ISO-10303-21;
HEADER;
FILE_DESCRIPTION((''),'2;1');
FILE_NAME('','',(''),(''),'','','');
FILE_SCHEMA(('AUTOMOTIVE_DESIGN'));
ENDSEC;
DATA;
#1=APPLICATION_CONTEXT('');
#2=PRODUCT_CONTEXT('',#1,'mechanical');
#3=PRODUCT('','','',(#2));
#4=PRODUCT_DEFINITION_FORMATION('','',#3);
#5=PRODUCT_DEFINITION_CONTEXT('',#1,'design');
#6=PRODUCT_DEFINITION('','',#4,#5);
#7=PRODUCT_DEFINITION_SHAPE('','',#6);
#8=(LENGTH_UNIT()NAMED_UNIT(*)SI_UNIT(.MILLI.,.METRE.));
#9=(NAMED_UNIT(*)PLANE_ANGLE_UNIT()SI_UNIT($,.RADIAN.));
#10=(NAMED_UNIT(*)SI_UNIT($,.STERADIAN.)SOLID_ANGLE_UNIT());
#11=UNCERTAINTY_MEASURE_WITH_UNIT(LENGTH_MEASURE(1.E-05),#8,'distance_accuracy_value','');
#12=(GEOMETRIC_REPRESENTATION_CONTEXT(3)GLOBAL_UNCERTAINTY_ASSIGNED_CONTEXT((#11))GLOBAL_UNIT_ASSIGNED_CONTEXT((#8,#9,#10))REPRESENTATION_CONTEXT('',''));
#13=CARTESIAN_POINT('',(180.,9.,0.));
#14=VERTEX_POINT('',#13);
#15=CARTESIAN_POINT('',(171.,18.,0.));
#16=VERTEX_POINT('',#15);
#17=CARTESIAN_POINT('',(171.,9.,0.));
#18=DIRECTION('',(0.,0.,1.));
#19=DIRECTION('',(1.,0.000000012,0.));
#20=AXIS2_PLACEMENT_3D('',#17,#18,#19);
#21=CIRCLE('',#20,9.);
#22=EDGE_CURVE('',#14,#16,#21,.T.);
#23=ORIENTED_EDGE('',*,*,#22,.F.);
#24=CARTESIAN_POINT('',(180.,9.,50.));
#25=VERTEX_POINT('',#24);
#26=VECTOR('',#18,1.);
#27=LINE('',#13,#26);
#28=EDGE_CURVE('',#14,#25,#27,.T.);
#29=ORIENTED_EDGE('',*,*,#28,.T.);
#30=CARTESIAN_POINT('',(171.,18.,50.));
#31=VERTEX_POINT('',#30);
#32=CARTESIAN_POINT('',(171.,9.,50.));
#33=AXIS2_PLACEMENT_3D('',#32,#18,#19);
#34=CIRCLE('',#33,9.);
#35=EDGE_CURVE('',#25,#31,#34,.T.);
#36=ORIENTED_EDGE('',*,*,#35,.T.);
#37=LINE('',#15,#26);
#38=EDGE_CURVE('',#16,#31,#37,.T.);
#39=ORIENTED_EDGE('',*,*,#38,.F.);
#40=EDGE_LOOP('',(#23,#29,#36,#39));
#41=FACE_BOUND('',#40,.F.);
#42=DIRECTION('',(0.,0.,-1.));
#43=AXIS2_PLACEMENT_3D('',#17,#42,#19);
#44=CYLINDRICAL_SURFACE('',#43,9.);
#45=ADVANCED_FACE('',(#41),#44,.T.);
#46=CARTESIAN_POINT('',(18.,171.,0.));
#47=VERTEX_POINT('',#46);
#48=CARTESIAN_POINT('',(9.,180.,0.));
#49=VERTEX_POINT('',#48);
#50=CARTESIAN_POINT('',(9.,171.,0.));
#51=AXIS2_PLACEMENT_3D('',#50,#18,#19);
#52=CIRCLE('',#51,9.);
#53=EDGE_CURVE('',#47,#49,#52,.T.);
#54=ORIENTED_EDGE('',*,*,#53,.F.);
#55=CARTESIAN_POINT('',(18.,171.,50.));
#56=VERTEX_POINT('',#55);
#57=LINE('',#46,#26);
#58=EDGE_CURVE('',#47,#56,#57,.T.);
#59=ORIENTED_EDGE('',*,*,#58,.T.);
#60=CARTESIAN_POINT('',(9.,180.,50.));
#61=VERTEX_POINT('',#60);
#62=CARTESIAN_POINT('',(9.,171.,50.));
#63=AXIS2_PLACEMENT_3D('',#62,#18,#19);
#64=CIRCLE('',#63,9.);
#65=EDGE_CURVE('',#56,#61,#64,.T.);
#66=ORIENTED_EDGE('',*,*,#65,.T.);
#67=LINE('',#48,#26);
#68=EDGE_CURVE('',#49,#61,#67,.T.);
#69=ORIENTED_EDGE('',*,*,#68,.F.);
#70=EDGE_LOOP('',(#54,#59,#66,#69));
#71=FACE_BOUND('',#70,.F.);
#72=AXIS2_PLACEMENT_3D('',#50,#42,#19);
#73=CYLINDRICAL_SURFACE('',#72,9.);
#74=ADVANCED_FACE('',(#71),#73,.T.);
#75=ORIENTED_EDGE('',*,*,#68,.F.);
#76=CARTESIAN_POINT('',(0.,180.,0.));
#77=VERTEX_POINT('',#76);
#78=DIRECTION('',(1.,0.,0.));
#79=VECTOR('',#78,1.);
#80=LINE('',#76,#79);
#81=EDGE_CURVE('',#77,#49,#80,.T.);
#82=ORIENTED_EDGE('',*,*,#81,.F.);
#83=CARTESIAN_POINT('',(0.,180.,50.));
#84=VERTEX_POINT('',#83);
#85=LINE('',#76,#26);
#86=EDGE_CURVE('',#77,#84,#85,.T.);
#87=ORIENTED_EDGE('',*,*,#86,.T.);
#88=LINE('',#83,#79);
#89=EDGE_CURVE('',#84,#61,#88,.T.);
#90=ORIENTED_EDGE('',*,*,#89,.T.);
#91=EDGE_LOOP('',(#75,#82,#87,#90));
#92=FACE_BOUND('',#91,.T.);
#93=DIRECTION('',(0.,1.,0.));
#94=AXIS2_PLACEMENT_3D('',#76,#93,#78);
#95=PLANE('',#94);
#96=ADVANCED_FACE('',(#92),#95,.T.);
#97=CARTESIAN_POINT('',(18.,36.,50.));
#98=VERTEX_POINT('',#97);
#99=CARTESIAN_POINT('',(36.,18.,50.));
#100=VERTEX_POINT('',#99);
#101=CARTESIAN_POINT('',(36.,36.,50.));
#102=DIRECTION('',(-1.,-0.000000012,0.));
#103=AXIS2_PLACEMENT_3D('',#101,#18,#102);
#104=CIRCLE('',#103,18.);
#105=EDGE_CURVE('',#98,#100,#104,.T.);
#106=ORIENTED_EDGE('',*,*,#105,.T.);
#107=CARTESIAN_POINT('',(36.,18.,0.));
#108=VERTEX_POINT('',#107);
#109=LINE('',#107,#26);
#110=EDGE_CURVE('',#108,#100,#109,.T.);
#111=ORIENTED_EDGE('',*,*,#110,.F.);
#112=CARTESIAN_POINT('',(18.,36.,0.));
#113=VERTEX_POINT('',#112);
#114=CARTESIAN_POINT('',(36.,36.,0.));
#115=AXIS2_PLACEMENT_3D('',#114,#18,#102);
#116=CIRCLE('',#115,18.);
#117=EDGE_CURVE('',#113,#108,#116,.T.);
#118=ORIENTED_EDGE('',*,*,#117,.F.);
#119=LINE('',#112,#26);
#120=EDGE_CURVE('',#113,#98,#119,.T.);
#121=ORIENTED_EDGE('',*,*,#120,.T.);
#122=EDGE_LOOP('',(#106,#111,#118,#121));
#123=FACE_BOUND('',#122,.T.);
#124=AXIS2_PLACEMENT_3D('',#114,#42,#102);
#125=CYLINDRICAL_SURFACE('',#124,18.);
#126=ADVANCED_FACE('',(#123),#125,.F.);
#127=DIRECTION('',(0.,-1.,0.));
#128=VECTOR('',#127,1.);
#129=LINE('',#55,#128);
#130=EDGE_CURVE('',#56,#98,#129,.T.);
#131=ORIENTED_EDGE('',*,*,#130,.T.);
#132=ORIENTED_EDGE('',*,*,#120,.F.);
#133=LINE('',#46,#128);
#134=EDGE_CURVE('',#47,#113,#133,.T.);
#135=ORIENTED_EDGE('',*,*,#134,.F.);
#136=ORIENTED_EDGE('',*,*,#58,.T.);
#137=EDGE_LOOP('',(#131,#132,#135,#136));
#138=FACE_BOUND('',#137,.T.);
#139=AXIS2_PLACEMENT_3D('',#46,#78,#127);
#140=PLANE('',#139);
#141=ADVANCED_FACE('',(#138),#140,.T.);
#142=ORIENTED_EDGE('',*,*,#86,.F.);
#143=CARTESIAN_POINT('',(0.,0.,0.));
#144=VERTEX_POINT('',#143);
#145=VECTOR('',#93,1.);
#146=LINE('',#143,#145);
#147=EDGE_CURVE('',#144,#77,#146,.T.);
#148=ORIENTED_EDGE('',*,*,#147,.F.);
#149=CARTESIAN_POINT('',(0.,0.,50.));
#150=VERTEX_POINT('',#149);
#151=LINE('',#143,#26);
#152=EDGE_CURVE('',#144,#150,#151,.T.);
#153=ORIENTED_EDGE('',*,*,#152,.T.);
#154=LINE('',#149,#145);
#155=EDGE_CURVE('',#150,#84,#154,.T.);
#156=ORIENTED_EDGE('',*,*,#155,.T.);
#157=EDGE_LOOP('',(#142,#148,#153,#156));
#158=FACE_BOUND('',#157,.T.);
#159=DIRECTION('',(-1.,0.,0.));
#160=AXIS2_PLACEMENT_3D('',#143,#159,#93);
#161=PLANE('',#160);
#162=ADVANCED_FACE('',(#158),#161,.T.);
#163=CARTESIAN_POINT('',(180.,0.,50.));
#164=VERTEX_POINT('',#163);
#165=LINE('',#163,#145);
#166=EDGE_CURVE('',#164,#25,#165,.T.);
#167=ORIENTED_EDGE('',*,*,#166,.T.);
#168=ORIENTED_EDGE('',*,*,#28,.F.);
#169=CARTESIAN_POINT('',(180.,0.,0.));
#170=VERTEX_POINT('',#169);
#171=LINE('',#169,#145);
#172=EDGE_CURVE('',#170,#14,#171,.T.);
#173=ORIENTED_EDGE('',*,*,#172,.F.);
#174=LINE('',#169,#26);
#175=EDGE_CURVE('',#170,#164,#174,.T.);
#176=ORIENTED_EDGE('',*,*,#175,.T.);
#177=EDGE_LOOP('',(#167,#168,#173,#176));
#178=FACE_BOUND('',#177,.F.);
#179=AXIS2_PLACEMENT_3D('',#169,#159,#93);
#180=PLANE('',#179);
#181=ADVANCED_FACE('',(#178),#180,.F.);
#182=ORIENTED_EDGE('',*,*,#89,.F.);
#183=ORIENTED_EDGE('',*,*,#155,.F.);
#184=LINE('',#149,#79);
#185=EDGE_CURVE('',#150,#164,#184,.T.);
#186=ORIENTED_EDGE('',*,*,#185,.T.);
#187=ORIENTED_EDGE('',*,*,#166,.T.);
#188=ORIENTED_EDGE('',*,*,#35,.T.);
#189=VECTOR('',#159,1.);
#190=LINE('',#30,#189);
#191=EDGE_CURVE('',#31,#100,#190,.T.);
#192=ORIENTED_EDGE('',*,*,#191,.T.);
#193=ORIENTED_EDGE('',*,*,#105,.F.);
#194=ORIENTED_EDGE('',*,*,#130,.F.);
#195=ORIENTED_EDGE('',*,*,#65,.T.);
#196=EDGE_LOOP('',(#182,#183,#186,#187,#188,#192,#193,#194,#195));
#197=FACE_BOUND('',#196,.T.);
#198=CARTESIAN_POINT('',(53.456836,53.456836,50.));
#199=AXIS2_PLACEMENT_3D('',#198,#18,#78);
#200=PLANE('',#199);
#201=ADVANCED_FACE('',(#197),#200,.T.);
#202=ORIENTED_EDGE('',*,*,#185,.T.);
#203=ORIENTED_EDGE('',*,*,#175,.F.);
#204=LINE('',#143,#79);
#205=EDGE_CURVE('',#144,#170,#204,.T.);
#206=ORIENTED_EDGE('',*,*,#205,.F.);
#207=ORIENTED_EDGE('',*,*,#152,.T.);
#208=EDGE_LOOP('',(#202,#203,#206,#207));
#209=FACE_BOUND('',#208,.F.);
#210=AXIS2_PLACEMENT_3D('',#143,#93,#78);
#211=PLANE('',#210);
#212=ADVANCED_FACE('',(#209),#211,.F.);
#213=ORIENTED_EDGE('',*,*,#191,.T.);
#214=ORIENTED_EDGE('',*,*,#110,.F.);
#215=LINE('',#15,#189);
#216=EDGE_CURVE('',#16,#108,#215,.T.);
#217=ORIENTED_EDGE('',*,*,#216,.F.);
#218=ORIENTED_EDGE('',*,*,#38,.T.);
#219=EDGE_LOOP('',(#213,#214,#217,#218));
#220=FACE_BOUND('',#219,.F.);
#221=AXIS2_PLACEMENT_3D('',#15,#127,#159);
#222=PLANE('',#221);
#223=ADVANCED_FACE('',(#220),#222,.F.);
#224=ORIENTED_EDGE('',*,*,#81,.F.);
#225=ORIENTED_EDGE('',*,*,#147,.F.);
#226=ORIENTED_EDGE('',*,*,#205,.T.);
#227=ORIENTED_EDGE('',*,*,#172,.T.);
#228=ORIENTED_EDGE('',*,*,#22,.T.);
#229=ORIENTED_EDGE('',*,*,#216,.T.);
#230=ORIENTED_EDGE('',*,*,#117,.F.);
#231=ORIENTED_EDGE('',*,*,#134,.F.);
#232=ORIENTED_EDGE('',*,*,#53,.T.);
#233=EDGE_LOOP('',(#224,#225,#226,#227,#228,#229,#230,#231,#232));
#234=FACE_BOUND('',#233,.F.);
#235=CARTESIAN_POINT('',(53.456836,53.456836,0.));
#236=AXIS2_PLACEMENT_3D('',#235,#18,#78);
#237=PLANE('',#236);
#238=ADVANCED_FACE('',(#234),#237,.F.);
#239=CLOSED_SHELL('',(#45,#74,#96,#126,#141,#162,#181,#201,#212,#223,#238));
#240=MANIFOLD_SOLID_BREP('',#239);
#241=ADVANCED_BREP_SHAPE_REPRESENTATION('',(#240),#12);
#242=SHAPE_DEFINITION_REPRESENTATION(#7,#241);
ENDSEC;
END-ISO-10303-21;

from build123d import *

# Parameters (mm, degrees)
EXTRUDE_DEPTH = 50


with BuildPart() as part:
    # Sketch → Extrude (new body)
    with BuildSketch(Plane.XY):
        with BuildLine():
            Line((0, 0), (180, 0))
            Line((180, 0), (180, 9))
            ThreePointArc((180, 9), (177.363961, 15.363961), (171, 18))
            Line((171, 18), (36, 18))
            ThreePointArc((18, 36), (23.272078, 23.272078), (36, 18))
            Line((18, 171), (18, 36))
            ThreePointArc((18, 171), (15.363961, 177.363961), (9, 180))
            Line((0, 180), (9, 180))
            Line((0, 0), (0, 180))
        make_face()
    extrude(amount=EXTRUDE_DEPTH)


solid = part.part
